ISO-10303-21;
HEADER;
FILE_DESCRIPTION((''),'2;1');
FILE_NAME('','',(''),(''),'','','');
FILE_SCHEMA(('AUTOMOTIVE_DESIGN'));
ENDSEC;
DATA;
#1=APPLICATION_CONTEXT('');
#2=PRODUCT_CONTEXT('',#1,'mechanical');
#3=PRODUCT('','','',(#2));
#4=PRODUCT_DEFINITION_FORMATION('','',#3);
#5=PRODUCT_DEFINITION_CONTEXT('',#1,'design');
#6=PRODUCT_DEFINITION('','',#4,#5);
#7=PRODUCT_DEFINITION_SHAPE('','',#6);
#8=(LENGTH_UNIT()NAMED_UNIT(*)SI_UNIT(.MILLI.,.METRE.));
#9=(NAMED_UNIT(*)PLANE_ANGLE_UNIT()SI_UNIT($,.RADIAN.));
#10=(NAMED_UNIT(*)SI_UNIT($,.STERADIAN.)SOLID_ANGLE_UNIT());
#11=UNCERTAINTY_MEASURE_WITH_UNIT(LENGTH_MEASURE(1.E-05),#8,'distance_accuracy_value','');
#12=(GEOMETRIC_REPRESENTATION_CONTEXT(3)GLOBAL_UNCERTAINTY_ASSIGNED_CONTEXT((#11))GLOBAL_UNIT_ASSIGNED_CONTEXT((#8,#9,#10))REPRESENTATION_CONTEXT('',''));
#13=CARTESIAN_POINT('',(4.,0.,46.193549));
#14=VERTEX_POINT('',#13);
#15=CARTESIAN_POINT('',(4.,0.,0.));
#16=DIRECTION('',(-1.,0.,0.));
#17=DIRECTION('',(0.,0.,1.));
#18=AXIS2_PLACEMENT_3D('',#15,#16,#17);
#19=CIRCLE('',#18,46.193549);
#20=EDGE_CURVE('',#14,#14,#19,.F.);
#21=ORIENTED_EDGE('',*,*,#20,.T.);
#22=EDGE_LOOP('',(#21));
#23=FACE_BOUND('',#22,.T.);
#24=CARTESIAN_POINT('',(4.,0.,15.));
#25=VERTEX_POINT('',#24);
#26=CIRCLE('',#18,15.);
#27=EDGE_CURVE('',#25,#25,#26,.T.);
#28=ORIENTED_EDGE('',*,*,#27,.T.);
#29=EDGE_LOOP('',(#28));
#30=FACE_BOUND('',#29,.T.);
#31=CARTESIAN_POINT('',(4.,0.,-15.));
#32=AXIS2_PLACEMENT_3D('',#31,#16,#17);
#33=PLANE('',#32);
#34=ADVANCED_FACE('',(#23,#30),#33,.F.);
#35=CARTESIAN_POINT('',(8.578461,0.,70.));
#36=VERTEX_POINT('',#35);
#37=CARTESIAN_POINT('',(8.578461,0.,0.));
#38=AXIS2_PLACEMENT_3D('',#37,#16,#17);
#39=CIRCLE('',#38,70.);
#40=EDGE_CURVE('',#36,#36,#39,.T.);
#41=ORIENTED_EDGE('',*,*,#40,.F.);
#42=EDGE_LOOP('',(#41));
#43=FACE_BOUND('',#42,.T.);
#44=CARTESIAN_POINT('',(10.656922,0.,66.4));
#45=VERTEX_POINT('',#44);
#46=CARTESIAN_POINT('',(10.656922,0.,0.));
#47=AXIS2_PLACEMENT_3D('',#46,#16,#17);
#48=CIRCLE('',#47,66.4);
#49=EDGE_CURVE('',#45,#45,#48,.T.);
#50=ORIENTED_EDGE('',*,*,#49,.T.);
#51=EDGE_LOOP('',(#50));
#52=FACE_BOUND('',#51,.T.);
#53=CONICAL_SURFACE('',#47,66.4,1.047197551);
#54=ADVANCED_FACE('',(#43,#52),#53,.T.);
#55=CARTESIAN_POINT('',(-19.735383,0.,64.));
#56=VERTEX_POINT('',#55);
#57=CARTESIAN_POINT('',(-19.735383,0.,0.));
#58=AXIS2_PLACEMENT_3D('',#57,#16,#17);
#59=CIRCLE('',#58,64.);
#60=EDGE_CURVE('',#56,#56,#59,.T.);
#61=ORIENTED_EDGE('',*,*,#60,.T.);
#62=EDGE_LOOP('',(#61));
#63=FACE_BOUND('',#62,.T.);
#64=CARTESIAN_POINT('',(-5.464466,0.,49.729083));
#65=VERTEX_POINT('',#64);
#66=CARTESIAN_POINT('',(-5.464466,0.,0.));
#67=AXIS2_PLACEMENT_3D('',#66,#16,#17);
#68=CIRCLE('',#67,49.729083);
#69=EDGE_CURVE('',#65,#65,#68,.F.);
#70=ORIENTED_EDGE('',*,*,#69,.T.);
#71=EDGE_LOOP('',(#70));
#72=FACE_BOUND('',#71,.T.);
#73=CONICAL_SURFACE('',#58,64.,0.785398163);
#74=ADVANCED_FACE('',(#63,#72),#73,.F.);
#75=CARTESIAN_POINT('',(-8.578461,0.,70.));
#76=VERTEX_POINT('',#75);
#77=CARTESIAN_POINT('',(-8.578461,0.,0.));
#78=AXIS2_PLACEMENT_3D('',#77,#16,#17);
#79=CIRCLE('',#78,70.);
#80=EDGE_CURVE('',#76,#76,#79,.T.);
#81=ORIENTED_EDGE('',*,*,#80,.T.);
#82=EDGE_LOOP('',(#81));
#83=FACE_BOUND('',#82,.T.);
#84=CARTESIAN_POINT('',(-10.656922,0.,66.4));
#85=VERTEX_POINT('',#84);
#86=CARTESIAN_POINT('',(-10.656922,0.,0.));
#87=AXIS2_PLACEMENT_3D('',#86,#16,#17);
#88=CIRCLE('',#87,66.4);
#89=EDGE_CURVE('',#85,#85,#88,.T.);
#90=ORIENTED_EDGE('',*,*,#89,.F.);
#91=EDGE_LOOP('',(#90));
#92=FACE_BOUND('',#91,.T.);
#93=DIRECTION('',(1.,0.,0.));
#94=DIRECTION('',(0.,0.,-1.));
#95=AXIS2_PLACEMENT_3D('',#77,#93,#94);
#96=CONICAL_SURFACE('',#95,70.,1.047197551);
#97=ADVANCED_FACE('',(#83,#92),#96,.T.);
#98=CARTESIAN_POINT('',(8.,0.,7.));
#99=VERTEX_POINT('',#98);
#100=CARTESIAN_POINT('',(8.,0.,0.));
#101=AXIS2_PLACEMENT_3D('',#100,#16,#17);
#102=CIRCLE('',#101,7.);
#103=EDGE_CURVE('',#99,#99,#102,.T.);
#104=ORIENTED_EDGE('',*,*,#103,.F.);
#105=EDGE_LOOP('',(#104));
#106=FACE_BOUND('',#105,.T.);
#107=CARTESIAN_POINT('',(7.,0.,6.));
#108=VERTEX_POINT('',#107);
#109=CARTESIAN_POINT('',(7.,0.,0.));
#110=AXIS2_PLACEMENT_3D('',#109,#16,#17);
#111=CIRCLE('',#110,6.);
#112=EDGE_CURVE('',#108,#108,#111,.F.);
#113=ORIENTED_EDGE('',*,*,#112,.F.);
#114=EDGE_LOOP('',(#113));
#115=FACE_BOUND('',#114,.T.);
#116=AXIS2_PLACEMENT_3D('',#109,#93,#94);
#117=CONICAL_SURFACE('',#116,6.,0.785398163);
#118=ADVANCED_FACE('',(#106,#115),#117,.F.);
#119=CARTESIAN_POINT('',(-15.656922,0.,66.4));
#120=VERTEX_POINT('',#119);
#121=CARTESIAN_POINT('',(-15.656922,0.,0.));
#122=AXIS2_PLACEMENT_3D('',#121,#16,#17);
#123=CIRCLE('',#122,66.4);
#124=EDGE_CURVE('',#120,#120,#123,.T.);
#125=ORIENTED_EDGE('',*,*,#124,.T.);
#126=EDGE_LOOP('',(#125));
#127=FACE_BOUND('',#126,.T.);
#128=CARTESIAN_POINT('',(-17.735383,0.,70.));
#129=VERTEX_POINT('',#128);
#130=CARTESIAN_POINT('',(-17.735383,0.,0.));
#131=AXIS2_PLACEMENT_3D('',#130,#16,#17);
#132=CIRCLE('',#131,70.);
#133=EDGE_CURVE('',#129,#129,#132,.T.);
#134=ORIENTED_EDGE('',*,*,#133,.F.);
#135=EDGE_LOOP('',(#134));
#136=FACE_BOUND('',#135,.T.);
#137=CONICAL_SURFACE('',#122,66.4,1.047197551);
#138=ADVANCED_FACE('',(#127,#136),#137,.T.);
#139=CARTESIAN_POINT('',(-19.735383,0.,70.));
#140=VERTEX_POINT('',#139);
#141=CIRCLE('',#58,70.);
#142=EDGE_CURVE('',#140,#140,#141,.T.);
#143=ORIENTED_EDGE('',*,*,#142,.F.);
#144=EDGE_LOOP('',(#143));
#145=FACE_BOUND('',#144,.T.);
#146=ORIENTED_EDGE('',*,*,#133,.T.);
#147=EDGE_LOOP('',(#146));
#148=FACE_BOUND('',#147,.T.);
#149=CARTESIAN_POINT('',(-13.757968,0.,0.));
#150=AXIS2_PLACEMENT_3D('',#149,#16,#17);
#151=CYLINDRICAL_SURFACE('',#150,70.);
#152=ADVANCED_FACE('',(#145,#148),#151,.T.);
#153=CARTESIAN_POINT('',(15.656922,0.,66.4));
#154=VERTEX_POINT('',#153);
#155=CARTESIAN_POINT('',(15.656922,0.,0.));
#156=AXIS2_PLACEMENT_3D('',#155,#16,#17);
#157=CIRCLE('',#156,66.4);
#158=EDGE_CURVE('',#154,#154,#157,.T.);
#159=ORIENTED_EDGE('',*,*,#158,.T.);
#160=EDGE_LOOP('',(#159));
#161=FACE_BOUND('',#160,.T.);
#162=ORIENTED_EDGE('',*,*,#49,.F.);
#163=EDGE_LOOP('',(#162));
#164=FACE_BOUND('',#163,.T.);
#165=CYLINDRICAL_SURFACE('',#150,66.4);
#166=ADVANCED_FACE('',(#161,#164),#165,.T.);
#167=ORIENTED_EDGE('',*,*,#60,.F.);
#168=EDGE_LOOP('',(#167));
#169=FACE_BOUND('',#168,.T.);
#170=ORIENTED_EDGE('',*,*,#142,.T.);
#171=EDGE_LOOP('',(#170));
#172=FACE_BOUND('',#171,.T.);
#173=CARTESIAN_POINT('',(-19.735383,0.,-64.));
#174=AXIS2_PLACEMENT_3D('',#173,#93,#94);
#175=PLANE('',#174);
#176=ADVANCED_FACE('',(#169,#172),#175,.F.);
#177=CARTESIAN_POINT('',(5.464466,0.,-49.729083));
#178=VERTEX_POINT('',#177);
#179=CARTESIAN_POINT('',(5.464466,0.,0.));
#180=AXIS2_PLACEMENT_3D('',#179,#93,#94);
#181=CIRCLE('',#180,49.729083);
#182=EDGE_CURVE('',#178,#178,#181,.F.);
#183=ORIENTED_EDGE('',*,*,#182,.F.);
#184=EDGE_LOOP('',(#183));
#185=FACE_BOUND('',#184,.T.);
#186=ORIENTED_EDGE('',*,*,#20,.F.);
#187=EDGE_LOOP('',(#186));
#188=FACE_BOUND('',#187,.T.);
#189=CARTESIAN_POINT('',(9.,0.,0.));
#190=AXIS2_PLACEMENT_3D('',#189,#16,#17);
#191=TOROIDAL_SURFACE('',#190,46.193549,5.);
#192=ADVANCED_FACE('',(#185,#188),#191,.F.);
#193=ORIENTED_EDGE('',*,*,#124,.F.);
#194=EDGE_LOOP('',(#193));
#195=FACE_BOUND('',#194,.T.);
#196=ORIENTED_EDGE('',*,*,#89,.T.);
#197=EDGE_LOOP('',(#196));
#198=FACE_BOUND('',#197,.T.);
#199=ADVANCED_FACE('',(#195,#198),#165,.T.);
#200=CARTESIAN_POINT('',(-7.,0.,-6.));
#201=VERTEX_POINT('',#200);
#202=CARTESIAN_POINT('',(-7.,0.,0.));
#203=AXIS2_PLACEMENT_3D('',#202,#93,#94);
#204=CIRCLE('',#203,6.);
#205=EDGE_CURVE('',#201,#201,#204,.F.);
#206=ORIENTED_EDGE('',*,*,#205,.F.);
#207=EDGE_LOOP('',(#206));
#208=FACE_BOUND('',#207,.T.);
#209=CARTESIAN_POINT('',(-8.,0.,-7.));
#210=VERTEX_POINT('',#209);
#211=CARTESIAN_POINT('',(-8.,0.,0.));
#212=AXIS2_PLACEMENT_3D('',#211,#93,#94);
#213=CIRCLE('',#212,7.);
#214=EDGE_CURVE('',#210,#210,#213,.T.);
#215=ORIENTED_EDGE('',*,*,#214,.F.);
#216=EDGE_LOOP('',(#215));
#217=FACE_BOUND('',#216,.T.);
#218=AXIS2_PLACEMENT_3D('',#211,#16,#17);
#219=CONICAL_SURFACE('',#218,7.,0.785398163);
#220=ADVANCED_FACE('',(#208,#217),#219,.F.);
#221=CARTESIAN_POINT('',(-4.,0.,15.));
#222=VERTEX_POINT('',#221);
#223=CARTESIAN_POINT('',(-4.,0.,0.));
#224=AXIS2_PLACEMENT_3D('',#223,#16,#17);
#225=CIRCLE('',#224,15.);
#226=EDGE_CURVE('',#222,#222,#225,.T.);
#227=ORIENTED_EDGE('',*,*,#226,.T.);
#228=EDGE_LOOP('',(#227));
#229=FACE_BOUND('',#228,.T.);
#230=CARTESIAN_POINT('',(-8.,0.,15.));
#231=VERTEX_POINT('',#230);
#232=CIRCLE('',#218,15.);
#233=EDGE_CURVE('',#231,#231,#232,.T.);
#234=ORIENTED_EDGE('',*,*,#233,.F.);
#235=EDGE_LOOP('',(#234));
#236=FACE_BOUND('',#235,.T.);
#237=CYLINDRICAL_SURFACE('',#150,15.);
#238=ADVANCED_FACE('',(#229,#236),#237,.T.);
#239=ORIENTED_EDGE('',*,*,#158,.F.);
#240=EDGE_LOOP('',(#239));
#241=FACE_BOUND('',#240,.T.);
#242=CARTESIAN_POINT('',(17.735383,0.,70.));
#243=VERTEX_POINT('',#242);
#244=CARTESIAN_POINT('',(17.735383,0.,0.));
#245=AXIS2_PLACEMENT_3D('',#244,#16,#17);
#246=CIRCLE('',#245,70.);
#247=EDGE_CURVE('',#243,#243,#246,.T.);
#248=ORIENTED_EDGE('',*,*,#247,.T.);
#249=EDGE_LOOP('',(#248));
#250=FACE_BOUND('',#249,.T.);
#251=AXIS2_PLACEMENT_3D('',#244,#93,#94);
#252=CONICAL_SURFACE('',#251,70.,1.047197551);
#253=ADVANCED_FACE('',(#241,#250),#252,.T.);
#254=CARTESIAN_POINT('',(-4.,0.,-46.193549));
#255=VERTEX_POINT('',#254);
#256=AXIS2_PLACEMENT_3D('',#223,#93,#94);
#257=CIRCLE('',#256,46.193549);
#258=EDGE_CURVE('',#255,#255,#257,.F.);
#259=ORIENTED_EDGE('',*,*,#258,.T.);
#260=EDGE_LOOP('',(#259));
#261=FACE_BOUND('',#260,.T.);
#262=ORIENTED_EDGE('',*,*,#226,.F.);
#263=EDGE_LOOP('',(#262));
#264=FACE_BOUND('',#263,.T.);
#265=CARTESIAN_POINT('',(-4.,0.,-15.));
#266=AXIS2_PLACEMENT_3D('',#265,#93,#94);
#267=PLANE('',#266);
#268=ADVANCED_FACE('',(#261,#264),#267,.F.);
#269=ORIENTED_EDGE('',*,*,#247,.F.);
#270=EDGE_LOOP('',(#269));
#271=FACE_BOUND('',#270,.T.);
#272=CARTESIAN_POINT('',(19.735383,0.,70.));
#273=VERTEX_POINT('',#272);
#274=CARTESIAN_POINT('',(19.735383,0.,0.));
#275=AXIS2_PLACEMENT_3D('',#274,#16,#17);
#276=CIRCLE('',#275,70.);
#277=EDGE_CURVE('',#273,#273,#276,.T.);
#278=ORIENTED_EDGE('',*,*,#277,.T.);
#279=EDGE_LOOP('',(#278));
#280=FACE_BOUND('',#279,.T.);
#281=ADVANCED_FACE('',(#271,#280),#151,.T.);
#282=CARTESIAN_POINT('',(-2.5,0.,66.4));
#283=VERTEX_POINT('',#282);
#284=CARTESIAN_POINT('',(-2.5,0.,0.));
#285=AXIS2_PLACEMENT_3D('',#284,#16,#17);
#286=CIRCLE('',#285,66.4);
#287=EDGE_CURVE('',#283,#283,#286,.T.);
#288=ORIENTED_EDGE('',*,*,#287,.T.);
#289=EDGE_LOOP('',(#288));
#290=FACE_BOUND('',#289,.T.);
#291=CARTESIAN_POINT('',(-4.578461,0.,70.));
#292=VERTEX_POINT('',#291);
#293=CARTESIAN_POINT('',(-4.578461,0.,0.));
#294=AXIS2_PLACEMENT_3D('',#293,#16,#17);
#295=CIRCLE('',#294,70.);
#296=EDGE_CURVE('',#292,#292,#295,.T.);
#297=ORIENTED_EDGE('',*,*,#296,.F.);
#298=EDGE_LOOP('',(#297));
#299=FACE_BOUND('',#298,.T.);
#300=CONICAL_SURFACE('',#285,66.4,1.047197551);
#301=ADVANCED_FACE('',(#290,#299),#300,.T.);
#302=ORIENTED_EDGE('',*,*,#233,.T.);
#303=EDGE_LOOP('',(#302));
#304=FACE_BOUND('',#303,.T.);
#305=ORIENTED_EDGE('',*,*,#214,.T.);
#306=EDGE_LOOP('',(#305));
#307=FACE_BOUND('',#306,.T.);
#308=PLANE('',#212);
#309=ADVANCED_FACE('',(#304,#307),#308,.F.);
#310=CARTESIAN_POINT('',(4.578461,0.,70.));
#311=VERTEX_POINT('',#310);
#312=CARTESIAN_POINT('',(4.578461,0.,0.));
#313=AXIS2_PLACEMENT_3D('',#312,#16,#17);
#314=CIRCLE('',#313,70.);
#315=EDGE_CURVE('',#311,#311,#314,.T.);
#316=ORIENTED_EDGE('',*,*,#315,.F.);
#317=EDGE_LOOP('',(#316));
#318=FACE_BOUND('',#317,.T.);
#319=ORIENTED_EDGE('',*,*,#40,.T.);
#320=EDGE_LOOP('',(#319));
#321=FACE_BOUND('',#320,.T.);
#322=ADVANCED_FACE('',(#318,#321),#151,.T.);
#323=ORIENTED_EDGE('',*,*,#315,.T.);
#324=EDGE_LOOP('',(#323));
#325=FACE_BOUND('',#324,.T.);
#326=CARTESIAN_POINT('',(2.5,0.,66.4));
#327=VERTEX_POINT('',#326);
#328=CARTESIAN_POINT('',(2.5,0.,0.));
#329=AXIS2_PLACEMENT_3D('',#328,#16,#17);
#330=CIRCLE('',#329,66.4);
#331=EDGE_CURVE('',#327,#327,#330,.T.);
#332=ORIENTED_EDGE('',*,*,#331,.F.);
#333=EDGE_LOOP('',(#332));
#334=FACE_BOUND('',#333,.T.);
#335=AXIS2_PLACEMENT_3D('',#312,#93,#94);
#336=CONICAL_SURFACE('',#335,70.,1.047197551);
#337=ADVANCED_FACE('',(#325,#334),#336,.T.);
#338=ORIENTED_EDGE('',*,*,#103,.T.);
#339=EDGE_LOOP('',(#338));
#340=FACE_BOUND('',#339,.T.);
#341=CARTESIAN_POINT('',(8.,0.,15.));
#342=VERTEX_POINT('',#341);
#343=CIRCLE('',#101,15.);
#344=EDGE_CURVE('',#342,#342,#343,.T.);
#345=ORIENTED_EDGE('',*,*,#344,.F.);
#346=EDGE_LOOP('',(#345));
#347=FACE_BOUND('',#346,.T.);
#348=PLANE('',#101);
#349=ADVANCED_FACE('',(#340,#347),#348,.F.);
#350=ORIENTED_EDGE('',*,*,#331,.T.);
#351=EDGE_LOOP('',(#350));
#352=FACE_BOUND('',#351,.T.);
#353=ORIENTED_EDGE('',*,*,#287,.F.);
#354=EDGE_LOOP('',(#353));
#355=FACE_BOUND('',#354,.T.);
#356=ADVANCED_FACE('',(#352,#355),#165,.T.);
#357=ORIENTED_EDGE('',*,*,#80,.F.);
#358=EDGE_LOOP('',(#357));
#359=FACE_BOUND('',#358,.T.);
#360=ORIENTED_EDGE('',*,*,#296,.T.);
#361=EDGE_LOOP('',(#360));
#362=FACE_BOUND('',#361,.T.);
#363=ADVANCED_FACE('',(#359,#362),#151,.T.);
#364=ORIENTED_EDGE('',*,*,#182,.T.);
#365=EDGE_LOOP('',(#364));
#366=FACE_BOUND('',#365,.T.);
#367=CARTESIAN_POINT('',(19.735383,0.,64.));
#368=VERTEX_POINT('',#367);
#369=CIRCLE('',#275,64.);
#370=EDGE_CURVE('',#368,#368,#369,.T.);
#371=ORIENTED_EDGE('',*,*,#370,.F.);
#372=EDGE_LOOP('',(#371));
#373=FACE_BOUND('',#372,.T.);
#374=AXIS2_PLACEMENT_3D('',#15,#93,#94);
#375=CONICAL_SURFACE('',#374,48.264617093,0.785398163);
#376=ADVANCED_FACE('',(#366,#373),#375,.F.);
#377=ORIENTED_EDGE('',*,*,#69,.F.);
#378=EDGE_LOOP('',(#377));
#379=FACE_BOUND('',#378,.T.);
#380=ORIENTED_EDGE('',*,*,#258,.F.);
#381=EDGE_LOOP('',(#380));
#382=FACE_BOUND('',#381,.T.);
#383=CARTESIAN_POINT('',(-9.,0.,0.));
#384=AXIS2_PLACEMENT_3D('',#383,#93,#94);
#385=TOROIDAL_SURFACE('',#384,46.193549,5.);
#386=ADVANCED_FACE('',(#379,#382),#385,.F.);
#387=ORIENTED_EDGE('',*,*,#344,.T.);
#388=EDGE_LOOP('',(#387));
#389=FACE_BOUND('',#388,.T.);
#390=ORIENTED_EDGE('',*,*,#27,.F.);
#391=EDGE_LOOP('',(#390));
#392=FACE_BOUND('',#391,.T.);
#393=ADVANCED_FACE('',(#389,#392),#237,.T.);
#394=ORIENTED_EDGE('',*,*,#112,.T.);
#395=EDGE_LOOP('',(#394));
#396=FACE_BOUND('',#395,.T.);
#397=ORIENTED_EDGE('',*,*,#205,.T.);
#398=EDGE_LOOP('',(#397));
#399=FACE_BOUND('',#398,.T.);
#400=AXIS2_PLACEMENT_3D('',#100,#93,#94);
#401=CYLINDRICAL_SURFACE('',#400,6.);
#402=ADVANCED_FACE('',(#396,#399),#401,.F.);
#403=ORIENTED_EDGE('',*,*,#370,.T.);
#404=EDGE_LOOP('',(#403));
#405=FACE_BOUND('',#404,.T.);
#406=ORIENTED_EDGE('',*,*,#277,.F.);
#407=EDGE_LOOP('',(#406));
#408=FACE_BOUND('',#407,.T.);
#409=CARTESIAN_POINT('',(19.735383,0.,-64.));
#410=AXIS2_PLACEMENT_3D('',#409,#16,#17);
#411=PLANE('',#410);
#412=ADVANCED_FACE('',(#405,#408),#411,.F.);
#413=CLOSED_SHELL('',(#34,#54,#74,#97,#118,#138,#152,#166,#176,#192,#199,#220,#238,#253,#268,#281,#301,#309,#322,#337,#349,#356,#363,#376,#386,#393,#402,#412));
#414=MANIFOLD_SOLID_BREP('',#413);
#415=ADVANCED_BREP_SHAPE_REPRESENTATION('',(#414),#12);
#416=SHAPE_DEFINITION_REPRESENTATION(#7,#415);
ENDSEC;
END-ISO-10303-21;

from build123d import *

# Parameters (mm, degrees)
OTW_R_12_0_12_1_D = 12
ZAOKR_GLENIE1_R   = 5
ZAOKR_GLENIE2_R   = 5
SFAZOWANIE1_SIZE  = 1


with BuildPart() as part:
    # Szkic2 → Obrót1 (revolve)
    with BuildSketch(Plane(origin=(0, 0, 0), x_dir=(1, 0, 0), z_dir=(0, 1, 0)), mode=Mode.PRIVATE) as obr_t1_sk:
        Polygon((-8, 0), (-8, 15), (-4, 15), (-4, 48.264617093), (-19.735382907, 64), (-19.735382907, 70), (-17.735382907, 70), (-15.656921938, 66.4), (-10.656921938, 66.4), (-8.578460969, 70), (-4.578460969, 70), (-2.5, 66.4), (2.5, 66.4), (4.578460969, 70), (8.578460969, 70), (10.656921938, 66.4), (15.656921938, 66.4), (17.735382907, 70), (19.735382907, 70), (19.735382907, 64), (4, 48.264617093), (4, 15), (8, 15), (8, 0), align=None)
    revolve(obr_t1_sk.sketch.rotate(Axis((-13.757967627, 0, 0), (1, 0, 0)), 180), axis=Axis((-13.757967627, 0, 0), (1, 0, 0)))  # turned: the seam where the file's is

    # Otwór Ø12.0 (12)1 (through all)
    with Locations(Plane(origin=(8, 0, 0), x_dir=(0, 0, -1), z_dir=(1, 0, 0))):
        with Locations((0, 0)):
            Hole(OTW_R_12_0_12_1_D / 2)

    # Zaokrąglenie1
    zaokr_glenie1_edges = [part.edges().sort_by_distance(p)[0] for p in [
        (4, 0, -48.264617093),
    ]]
    fillet(zaokr_glenie1_edges, radius=ZAOKR_GLENIE1_R)

    # Zaokrąglenie2
    zaokr_glenie2_edges = [part.edges().sort_by_distance(p)[0] for p in [
        (-4, 0, -48.264617093),
    ]]
    fillet(zaokr_glenie2_edges, radius=ZAOKR_GLENIE2_R)

    # Sfazowanie1
    sfazowanie1_edges = [part.edges().sort_by_distance(p)[0] for p in [
        (-8, 0, -6),
        (8, 0, -6),
    ]]
    chamfer(sfazowanie1_edges, length=SFAZOWANIE1_SIZE)


solid = part.part
